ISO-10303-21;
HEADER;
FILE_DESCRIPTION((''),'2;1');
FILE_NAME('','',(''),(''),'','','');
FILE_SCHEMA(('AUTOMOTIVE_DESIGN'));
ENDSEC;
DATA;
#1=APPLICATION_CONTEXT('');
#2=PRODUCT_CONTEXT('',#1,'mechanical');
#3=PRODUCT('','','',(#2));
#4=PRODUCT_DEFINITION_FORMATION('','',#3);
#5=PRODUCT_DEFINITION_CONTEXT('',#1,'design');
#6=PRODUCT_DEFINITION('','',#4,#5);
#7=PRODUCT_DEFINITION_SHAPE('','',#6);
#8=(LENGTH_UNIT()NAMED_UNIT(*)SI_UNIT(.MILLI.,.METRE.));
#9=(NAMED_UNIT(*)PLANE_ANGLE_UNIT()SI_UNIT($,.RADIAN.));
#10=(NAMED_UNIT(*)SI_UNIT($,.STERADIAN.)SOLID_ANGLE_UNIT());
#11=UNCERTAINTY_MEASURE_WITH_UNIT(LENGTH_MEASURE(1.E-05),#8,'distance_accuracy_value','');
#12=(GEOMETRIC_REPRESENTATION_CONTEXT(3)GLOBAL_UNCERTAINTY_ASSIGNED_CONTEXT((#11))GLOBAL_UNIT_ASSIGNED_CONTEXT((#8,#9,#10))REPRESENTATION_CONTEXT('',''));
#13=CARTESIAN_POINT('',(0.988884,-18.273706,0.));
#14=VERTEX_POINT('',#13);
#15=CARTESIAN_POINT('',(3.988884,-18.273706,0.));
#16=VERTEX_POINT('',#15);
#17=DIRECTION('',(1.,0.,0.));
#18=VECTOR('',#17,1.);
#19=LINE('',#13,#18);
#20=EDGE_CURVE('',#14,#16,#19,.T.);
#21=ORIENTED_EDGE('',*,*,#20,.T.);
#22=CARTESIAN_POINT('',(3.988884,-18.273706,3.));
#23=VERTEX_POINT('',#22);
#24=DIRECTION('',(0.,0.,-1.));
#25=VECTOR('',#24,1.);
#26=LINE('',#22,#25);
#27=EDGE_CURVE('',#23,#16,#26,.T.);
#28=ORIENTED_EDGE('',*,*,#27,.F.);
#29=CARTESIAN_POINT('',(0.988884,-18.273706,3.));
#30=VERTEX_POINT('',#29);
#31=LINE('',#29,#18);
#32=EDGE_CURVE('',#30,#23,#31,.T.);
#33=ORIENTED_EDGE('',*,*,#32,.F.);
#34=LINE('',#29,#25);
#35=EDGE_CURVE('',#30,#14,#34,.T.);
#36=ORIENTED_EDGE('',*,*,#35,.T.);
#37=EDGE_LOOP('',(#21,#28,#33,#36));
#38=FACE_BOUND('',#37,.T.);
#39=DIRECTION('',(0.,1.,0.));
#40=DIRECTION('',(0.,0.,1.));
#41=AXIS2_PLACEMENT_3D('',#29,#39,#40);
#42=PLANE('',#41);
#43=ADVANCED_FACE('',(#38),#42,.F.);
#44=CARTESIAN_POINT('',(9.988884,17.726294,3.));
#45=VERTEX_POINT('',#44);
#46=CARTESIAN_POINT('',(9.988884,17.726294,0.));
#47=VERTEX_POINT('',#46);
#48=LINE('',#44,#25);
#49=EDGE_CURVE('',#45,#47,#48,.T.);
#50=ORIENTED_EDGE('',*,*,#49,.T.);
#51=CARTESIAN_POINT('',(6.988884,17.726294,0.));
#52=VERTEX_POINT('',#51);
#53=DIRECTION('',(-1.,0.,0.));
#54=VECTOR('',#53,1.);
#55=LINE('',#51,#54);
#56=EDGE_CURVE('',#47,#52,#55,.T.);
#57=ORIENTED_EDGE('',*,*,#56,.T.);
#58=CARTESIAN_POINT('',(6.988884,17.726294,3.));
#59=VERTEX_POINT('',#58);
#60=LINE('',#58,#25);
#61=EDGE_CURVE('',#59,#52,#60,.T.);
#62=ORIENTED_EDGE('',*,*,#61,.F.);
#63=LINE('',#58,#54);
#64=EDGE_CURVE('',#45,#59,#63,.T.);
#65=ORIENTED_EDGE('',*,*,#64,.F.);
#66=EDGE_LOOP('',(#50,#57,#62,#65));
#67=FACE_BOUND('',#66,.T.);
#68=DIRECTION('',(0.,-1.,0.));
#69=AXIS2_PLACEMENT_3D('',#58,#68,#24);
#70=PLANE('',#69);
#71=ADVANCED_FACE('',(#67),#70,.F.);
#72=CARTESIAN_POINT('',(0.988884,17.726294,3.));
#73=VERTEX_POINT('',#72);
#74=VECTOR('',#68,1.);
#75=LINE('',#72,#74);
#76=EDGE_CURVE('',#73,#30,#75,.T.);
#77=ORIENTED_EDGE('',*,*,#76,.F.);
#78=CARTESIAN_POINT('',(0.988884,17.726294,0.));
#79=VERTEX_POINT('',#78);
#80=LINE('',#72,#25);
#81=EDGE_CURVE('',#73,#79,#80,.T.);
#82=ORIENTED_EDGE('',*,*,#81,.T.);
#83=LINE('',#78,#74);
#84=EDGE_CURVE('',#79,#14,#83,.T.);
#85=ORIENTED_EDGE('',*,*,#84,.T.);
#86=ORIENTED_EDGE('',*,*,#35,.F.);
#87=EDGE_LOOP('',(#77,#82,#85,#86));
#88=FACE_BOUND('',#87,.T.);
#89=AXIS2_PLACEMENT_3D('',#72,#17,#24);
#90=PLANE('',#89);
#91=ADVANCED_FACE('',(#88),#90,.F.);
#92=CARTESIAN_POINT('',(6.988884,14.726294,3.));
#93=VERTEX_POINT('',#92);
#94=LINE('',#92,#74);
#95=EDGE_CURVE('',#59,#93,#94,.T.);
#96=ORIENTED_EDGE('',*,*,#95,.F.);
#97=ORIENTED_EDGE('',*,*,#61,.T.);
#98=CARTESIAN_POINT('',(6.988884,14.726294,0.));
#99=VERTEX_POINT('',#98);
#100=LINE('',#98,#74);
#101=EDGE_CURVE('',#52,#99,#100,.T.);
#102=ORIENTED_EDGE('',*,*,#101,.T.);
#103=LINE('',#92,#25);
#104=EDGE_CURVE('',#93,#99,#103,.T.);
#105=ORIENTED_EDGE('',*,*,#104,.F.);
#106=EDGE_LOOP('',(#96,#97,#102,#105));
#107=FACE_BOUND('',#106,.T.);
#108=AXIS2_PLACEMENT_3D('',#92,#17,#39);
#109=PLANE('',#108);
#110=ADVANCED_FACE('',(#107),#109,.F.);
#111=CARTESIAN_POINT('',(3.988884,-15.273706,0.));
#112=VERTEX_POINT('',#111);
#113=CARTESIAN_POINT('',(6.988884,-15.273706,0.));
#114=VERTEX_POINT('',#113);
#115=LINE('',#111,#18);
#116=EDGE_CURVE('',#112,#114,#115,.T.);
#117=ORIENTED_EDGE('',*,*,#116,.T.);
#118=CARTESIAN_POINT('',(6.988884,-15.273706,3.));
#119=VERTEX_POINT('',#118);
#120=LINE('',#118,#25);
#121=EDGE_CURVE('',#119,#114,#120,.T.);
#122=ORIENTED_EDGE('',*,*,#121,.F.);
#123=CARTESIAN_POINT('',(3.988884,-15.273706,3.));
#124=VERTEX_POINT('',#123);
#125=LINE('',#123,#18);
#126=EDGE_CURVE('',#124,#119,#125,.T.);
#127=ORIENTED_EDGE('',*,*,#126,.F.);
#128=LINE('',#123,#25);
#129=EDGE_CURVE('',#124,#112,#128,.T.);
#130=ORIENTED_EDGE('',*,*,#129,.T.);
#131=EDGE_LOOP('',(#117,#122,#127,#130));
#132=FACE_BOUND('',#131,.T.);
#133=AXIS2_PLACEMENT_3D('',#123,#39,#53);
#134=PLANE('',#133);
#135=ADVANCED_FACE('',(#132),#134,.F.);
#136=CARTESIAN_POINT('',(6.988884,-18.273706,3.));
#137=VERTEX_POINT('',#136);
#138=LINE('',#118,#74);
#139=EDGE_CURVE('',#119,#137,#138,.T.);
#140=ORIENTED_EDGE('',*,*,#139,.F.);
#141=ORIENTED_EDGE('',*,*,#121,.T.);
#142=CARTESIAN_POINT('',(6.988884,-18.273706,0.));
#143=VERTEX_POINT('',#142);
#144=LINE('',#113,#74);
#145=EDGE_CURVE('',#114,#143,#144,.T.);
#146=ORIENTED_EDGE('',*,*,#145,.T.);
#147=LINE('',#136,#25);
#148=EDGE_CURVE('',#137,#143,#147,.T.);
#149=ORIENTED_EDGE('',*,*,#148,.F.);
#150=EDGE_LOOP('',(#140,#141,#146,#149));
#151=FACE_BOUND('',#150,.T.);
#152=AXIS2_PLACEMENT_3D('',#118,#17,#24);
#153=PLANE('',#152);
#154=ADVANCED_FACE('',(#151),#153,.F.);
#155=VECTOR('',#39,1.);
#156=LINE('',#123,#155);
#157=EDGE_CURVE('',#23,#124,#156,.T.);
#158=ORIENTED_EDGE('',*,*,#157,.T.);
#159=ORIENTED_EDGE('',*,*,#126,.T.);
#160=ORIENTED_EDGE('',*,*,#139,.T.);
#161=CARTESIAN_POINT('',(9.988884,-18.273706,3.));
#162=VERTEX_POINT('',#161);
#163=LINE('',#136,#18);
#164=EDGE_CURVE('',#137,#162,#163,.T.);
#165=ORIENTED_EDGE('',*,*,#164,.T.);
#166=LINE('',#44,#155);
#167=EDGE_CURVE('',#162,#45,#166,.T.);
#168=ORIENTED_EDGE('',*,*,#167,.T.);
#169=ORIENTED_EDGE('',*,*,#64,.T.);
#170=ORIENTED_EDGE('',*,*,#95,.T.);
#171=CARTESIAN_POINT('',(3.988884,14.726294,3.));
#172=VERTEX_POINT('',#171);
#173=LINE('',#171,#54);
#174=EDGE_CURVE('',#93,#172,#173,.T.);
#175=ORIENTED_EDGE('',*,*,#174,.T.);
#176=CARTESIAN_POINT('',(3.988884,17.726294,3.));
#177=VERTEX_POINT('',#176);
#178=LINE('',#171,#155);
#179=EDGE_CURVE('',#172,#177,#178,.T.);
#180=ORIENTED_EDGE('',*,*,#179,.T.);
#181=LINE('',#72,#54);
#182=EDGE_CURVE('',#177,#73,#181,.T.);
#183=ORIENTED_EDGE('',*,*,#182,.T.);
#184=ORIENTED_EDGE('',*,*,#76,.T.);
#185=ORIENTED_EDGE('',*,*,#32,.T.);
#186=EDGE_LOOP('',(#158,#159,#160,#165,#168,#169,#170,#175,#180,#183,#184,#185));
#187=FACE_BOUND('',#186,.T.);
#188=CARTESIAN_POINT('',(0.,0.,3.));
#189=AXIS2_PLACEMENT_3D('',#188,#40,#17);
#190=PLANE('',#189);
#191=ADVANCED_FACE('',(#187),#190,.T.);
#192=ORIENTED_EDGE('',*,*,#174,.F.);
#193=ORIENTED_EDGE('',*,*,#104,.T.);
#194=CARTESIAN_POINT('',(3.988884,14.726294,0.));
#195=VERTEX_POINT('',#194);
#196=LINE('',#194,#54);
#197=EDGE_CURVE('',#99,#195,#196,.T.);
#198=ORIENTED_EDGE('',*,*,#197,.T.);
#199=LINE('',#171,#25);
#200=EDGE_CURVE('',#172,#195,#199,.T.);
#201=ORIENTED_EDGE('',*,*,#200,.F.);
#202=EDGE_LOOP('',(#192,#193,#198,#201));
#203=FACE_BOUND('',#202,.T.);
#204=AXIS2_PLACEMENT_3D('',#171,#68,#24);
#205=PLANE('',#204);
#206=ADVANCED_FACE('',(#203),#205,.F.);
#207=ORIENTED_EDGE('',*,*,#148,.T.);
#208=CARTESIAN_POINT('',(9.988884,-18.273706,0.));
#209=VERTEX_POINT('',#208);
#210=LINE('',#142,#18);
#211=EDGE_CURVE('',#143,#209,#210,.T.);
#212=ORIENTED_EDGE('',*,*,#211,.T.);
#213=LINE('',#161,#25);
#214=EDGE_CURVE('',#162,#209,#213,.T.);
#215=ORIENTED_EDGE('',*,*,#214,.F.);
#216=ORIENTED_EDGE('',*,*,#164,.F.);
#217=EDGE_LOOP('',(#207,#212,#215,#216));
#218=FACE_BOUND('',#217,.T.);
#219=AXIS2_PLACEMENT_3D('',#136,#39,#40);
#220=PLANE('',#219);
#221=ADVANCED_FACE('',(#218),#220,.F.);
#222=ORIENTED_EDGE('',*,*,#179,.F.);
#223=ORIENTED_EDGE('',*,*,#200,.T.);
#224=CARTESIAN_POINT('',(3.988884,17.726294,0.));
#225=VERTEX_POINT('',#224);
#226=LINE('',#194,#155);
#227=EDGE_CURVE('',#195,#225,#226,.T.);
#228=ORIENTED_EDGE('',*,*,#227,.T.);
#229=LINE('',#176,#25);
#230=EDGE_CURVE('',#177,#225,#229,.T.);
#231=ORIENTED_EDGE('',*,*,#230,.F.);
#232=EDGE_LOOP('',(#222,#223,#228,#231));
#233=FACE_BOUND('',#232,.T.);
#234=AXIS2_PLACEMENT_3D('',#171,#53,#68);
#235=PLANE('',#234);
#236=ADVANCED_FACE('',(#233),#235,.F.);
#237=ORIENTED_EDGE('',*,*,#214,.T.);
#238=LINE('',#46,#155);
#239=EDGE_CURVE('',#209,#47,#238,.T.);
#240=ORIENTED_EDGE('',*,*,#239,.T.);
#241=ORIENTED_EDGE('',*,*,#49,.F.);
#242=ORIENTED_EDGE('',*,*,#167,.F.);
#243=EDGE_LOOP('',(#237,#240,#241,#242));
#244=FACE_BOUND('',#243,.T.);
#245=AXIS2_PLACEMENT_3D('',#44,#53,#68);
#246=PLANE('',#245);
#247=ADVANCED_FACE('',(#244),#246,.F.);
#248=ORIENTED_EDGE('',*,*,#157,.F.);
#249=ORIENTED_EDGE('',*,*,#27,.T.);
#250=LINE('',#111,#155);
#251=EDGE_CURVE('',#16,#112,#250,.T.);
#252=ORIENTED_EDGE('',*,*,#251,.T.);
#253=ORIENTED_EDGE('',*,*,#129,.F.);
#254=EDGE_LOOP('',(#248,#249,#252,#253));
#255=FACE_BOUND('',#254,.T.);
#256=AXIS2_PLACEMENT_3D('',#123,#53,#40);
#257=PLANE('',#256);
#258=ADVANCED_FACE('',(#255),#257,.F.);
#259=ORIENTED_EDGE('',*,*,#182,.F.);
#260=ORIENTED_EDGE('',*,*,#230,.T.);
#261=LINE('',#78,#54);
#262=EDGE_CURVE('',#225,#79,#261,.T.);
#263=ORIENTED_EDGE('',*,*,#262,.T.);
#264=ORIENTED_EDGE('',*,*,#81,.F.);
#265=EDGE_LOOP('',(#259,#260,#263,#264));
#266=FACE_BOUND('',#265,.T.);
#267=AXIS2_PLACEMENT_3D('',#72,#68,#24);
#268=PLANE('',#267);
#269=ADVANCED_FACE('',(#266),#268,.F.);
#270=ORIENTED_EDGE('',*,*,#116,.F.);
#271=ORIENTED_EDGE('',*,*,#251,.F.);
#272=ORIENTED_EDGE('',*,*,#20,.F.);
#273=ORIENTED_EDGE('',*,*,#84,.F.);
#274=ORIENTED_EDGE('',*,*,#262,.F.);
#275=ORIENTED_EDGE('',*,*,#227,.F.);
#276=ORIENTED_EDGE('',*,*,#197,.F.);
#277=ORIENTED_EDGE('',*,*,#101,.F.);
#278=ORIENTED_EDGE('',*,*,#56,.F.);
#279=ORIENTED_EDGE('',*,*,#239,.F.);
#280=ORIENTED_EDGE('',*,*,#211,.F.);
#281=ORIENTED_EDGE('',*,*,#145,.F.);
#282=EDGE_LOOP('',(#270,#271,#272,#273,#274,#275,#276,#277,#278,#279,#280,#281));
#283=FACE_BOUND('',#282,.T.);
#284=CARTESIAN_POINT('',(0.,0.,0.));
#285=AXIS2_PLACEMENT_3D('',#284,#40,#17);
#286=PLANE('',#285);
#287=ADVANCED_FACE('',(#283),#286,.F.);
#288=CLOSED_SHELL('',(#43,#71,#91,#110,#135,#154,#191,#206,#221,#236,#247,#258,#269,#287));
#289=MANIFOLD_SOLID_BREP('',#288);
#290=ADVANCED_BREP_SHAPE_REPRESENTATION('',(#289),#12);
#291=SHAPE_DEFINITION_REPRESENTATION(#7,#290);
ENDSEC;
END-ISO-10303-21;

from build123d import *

# Parameters (mm, degrees)
BOSS_EXTRUDE2_DEPTH = 3


with BuildPart() as part:
    # Sketch1 → Boss-Extrude2 (new body)
    with BuildSketch(Plane.XY):
        Polygon((0.988883808, 17.726294389), (3.988883808, 17.726294389), (3.988883808, 14.726294389), (6.988883808, 14.726294389), (6.988883808, 17.726294389), (9.988883808, 17.726294389), (9.988883808, -18.273705611), (6.988883808, -18.273705611), (6.988883808, -15.273705611), (3.988883808, -15.273705611), (3.988883808, -18.273705611), (0.988883808, -18.273705611), align=None)
    extrude(amount=BOSS_EXTRUDE2_DEPTH)


solid = part.part
